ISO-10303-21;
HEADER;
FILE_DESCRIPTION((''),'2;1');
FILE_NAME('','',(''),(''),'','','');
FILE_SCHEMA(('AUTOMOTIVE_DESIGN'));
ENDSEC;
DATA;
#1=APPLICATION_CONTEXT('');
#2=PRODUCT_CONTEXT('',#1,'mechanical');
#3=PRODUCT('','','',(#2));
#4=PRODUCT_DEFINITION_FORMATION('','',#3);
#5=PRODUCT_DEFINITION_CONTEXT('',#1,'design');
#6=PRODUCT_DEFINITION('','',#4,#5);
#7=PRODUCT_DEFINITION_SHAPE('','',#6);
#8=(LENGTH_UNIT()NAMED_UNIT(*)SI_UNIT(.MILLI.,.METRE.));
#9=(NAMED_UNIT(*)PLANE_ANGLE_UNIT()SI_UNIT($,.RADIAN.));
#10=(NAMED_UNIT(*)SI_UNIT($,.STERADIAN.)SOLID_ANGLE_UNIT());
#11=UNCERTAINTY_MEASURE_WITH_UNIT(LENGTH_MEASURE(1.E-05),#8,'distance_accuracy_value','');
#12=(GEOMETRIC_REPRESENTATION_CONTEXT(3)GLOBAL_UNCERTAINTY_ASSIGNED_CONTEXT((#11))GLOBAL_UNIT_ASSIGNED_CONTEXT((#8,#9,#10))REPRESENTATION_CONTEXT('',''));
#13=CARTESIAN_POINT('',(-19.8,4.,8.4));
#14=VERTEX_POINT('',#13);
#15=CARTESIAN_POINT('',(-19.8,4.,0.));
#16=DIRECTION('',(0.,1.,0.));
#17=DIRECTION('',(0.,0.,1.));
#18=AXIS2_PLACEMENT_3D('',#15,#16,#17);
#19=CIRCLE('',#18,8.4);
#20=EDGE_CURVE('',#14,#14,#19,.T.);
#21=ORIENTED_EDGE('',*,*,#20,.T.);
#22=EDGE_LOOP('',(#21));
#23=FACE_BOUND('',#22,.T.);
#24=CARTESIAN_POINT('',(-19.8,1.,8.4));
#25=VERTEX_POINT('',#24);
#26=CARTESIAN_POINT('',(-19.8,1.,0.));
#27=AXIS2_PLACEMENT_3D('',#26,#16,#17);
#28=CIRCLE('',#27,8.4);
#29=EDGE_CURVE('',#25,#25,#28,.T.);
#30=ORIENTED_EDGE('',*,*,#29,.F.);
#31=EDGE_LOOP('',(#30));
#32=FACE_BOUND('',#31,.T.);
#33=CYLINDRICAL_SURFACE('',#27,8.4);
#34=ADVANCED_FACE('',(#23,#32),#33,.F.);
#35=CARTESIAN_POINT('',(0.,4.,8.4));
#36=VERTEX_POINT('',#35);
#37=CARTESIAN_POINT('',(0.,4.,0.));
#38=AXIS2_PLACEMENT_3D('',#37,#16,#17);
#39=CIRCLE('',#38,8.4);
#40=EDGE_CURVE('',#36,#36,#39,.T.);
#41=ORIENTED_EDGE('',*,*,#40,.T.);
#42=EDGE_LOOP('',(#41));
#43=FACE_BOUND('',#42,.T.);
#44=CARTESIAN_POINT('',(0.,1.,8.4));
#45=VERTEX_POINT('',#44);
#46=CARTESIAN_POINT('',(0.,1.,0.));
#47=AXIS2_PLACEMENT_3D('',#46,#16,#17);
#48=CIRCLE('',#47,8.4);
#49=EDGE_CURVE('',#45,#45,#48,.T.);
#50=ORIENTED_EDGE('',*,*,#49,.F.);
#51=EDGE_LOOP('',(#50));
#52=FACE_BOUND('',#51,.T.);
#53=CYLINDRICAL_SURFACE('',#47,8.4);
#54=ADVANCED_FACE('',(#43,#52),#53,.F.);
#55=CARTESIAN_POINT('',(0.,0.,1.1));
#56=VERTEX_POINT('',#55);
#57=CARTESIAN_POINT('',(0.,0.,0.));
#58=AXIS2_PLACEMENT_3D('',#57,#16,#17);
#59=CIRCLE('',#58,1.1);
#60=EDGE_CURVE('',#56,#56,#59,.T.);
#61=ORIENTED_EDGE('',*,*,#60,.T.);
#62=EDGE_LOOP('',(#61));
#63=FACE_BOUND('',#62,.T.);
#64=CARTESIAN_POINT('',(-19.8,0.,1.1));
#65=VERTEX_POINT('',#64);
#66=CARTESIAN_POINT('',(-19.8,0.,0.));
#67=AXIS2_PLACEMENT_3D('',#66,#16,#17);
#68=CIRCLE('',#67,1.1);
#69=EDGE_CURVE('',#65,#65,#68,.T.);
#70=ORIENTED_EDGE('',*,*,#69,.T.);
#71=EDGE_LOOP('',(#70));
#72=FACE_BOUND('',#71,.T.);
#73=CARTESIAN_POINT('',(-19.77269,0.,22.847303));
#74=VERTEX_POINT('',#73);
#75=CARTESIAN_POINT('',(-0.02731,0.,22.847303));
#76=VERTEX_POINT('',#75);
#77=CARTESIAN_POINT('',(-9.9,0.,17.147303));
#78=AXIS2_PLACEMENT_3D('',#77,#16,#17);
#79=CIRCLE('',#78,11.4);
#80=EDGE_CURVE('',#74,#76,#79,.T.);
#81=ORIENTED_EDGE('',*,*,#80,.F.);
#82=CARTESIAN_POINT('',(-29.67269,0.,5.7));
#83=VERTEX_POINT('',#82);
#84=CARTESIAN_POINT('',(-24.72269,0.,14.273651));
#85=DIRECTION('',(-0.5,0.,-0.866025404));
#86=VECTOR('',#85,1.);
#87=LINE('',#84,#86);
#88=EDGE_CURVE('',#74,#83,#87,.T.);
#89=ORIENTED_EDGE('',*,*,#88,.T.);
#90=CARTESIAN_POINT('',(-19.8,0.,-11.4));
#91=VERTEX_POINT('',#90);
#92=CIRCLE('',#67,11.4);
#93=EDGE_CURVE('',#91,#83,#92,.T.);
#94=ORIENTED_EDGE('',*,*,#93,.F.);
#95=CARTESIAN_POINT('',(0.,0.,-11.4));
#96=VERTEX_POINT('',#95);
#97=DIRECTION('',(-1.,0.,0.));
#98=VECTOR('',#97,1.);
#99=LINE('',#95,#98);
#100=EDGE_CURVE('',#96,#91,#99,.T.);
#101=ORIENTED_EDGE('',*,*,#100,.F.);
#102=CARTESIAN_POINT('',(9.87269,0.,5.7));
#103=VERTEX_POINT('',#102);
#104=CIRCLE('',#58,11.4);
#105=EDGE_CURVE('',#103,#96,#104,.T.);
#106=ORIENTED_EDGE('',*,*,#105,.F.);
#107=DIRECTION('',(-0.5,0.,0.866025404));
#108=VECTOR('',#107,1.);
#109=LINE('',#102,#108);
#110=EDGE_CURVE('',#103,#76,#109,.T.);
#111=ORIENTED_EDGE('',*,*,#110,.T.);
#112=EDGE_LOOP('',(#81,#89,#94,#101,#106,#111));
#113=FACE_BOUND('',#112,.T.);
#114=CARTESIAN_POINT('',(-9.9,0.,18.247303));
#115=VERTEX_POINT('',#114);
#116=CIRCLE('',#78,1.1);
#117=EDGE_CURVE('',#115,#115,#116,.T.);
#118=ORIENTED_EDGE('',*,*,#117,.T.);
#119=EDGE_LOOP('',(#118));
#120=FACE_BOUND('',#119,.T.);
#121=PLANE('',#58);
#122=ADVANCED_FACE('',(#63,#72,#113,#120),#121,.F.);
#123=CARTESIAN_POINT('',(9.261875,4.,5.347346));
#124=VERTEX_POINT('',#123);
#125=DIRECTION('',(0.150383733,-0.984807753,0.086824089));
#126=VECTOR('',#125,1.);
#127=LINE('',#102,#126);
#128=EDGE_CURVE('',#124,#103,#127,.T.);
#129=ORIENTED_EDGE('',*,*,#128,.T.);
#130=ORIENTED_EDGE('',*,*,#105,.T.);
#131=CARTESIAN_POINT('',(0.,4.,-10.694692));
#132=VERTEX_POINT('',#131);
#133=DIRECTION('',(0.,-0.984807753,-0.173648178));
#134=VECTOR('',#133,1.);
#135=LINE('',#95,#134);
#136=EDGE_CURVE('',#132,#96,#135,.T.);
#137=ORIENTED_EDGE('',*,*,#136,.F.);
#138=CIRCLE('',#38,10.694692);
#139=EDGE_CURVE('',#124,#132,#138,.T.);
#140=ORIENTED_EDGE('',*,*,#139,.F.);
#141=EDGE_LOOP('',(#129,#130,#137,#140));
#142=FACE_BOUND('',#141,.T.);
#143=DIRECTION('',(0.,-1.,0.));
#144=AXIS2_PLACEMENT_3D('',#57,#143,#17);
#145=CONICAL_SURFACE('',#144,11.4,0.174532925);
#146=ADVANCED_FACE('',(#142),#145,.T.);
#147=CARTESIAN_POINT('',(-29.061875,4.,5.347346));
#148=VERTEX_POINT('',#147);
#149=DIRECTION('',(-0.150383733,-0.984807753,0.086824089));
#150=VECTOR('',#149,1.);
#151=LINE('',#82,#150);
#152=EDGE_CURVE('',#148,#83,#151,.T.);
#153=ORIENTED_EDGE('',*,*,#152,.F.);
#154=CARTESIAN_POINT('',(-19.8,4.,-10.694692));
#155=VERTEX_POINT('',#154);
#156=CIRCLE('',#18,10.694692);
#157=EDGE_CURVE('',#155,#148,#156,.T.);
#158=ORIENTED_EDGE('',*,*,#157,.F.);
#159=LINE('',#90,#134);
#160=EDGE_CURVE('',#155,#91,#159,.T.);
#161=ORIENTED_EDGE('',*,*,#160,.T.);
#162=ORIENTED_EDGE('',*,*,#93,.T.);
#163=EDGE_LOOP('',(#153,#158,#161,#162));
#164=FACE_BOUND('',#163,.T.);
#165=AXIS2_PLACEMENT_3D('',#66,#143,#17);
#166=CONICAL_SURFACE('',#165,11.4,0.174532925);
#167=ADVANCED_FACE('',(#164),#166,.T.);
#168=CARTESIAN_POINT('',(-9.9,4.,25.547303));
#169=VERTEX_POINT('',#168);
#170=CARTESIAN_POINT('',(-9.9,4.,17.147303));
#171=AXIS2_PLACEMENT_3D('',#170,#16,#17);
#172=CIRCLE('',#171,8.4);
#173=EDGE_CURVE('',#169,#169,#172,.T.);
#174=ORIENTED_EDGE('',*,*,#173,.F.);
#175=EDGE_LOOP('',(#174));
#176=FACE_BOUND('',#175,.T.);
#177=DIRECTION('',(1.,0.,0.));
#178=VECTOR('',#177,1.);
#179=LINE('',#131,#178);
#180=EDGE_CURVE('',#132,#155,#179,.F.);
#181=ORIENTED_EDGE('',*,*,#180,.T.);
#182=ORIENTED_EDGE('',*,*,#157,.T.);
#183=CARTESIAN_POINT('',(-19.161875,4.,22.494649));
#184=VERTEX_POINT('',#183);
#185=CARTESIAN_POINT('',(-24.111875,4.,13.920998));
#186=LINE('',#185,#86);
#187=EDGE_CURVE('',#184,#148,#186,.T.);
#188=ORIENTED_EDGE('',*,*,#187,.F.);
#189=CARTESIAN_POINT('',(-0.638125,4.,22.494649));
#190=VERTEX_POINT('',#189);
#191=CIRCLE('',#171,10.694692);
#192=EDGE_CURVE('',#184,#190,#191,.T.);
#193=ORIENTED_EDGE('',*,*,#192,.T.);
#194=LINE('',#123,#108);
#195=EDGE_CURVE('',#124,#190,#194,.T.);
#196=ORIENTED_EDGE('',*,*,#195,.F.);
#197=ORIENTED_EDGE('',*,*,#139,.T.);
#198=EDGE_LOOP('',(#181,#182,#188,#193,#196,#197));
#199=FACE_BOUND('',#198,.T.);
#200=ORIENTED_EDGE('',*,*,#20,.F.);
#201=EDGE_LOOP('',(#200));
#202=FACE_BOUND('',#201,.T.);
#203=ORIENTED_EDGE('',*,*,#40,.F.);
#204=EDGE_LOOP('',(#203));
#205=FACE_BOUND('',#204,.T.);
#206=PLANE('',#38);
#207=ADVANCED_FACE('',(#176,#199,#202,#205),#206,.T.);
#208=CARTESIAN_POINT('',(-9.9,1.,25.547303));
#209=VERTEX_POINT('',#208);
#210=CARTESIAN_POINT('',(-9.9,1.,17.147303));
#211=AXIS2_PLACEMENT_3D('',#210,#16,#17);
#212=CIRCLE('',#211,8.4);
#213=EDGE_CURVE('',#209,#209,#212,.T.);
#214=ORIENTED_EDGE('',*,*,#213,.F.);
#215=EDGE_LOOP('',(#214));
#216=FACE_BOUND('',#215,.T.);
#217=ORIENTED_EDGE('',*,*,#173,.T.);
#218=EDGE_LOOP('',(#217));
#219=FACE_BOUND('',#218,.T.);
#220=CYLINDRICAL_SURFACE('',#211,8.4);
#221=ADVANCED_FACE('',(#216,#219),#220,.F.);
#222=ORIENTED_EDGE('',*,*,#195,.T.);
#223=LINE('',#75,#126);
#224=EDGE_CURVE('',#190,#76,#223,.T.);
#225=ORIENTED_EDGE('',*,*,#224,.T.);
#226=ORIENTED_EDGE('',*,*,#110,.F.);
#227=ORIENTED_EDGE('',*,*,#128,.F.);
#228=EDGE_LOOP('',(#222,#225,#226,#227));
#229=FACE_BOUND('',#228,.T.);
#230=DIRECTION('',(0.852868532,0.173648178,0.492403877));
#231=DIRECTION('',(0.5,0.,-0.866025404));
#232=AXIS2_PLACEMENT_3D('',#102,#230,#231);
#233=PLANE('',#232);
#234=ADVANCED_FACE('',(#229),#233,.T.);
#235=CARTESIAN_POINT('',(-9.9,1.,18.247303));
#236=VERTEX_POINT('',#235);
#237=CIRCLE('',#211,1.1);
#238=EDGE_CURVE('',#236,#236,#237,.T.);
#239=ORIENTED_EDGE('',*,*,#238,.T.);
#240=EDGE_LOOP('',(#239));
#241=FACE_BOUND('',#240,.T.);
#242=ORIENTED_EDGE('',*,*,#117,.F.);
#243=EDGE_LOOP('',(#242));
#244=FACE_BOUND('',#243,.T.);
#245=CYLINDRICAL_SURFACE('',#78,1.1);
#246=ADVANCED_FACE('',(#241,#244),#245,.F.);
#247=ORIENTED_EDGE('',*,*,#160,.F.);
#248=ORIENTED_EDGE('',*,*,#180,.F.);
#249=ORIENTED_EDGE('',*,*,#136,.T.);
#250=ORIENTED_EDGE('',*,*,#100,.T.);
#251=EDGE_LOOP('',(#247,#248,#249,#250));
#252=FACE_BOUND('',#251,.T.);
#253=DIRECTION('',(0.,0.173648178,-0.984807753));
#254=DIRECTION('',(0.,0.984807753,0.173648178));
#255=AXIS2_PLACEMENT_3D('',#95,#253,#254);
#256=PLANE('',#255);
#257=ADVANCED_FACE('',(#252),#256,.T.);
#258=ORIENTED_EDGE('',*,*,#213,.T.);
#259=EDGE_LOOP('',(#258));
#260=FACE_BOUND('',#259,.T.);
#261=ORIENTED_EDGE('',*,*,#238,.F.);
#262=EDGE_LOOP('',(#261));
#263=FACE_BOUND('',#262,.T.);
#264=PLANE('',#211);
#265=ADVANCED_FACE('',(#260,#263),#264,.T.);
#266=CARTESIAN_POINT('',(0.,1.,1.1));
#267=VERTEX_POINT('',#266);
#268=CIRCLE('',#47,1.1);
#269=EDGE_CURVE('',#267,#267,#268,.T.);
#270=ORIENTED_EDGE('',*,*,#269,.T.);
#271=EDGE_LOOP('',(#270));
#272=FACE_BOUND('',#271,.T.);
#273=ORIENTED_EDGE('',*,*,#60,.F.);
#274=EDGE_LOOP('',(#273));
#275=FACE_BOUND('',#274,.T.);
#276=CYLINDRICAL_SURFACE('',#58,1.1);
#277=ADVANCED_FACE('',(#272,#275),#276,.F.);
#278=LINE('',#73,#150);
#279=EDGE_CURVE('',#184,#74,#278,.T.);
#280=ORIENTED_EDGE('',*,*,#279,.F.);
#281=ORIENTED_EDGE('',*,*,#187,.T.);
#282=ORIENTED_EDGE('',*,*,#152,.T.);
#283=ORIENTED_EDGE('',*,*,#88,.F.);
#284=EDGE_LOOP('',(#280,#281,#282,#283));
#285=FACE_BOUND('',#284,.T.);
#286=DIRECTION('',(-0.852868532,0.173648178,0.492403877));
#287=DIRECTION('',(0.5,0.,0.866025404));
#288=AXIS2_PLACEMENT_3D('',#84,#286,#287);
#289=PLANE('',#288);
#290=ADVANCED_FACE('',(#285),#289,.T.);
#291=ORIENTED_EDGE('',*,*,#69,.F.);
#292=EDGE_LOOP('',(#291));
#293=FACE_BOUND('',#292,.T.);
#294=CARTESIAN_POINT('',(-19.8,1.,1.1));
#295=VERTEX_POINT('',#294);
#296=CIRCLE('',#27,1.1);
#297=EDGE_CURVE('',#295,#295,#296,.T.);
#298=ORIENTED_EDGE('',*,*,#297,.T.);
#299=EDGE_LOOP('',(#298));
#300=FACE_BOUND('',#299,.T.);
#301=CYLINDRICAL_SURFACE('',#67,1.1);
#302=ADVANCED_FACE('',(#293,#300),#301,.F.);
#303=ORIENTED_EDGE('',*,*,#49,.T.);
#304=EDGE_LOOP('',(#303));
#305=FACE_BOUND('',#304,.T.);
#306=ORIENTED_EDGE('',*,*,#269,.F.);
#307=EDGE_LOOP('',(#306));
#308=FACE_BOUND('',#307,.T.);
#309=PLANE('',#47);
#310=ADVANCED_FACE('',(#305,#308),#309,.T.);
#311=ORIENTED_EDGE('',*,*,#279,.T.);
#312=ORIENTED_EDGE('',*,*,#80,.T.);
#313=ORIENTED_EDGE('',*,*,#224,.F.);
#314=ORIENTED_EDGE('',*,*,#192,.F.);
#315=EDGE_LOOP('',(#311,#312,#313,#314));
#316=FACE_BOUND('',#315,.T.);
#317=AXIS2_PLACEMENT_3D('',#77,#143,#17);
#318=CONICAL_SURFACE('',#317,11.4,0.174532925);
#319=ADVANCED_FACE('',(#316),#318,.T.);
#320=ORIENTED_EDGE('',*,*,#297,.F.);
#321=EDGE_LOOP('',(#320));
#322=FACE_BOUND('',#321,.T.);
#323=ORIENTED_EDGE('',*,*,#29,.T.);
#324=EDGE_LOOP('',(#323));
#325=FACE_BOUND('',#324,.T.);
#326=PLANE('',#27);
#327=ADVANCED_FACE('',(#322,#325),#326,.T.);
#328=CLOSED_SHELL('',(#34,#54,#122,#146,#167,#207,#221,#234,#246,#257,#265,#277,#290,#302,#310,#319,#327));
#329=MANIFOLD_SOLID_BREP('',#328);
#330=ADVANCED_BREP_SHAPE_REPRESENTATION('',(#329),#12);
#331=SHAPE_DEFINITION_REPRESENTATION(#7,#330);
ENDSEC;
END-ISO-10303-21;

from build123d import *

# Parameters (mm, degrees)
BOSS_EXTRUDE1_DEPTH = 4
BOSS_EXTRUDE1_TAPER = 10
CUT_EXTRUDE1_START  = 4
SKETCH1_3_R         = 1.1
CUT_EXTRUDE1_DEPTH  = 4
CUT_EXTRUDE2_START  = 4
SKETCH1_4_R         = 8.4
SKETCH1_4_R_2       = 1.1
CUT_EXTRUDE2_DEPTH  = 3


with BuildPart() as part:
    # Sketch1 → Boss-Extrude1 (new body)
    with BuildSketch(Plane(origin=(0, 0, 0), x_dir=(1, 0, 0), z_dir=(0, 1, 0))):
        with BuildLine():
            Line((-29.672689603, -5.7), (-19.772689603, -22.847302995))
            ThreePointArc((-19.772689603, -22.847302995), (-9.9, -28.547302995), (-0.027310397, -22.847302995))
            Line((-0.027310397, -22.847302995), (9.872689603, -5.7))
            ThreePointArc((9.872689603, -5.7), (9.872689603, 5.7), (0, 11.4))
            Line((0, 11.4), (-19.8, 11.4))
            ThreePointArc((-19.8, 11.4), (-29.672689603, 5.7), (-29.672689603, -5.7))
        make_face()
    extrude(amount=BOSS_EXTRUDE1_DEPTH, taper=BOSS_EXTRUDE1_TAPER)

    # Sketch1<3> → Cut-Extrude1 (cut)
    with BuildSketch(Plane(origin=(0, 0, 0), x_dir=(1, 0, 0), z_dir=(0, 1, 0)).offset(CUT_EXTRUDE1_START)):
        with Locations(Location((-9.9, -17.147302995, 0), (0, 0, 270))):
            Circle(SKETCH1_3_R)
        with Locations(Location((0, 0, 0), (0, 0, 270))):
            Circle(SKETCH1_3_R)
        with Locations(Location((-19.8, 0, 0), (0, 0, 270))):
            Circle(SKETCH1_3_R)
    extrude(amount=-CUT_EXTRUDE1_DEPTH, mode=Mode.SUBTRACT)

    # Sketch1<4> → Cut-Extrude2 (cut)
    # profile 1 of 3: a face of its own
    with BuildSketch(Plane(origin=(0, 0, 0), x_dir=(1, 0, 0), z_dir=(0, 1, 0)).offset(CUT_EXTRUDE2_START)):
        with Locations(Location((-19.8, 0, 0), (0, 0, 270))):
            Circle(SKETCH1_4_R)
        with Locations(Location((-19.8, 0, 0), (0, 0, 270))):
            Circle(SKETCH1_4_R_2, mode=Mode.SUBTRACT)
    # profile 2 of 3: a face of its own
    with BuildSketch(Plane(origin=(0, 0, 0), x_dir=(1, 0, 0), z_dir=(0, 1, 0)).offset(CUT_EXTRUDE2_START)):
        with Locations(Location((-9.9, -17.147302995, 0), (0, 0, 270))):
            Circle(SKETCH1_4_R)
        with Locations(Location((-9.9, -17.147302995, 0), (0, 0, 270))):
            Circle(SKETCH1_4_R_2, mode=Mode.SUBTRACT)
    # profile 3 of 3: a face of its own
    with BuildSketch(Plane(origin=(0, 0, 0), x_dir=(1, 0, 0), z_dir=(0, 1, 0)).offset(CUT_EXTRUDE2_START)):
        with Locations(Location((0, 0, 0), (0, 0, 270))):
            Circle(SKETCH1_4_R)
        with Locations(Location((0, 0, 0), (0, 0, 270))):
            Circle(SKETCH1_4_R_2, mode=Mode.SUBTRACT)
    extrude(amount=-CUT_EXTRUDE2_DEPTH, mode=Mode.SUBTRACT)


solid = part.part
